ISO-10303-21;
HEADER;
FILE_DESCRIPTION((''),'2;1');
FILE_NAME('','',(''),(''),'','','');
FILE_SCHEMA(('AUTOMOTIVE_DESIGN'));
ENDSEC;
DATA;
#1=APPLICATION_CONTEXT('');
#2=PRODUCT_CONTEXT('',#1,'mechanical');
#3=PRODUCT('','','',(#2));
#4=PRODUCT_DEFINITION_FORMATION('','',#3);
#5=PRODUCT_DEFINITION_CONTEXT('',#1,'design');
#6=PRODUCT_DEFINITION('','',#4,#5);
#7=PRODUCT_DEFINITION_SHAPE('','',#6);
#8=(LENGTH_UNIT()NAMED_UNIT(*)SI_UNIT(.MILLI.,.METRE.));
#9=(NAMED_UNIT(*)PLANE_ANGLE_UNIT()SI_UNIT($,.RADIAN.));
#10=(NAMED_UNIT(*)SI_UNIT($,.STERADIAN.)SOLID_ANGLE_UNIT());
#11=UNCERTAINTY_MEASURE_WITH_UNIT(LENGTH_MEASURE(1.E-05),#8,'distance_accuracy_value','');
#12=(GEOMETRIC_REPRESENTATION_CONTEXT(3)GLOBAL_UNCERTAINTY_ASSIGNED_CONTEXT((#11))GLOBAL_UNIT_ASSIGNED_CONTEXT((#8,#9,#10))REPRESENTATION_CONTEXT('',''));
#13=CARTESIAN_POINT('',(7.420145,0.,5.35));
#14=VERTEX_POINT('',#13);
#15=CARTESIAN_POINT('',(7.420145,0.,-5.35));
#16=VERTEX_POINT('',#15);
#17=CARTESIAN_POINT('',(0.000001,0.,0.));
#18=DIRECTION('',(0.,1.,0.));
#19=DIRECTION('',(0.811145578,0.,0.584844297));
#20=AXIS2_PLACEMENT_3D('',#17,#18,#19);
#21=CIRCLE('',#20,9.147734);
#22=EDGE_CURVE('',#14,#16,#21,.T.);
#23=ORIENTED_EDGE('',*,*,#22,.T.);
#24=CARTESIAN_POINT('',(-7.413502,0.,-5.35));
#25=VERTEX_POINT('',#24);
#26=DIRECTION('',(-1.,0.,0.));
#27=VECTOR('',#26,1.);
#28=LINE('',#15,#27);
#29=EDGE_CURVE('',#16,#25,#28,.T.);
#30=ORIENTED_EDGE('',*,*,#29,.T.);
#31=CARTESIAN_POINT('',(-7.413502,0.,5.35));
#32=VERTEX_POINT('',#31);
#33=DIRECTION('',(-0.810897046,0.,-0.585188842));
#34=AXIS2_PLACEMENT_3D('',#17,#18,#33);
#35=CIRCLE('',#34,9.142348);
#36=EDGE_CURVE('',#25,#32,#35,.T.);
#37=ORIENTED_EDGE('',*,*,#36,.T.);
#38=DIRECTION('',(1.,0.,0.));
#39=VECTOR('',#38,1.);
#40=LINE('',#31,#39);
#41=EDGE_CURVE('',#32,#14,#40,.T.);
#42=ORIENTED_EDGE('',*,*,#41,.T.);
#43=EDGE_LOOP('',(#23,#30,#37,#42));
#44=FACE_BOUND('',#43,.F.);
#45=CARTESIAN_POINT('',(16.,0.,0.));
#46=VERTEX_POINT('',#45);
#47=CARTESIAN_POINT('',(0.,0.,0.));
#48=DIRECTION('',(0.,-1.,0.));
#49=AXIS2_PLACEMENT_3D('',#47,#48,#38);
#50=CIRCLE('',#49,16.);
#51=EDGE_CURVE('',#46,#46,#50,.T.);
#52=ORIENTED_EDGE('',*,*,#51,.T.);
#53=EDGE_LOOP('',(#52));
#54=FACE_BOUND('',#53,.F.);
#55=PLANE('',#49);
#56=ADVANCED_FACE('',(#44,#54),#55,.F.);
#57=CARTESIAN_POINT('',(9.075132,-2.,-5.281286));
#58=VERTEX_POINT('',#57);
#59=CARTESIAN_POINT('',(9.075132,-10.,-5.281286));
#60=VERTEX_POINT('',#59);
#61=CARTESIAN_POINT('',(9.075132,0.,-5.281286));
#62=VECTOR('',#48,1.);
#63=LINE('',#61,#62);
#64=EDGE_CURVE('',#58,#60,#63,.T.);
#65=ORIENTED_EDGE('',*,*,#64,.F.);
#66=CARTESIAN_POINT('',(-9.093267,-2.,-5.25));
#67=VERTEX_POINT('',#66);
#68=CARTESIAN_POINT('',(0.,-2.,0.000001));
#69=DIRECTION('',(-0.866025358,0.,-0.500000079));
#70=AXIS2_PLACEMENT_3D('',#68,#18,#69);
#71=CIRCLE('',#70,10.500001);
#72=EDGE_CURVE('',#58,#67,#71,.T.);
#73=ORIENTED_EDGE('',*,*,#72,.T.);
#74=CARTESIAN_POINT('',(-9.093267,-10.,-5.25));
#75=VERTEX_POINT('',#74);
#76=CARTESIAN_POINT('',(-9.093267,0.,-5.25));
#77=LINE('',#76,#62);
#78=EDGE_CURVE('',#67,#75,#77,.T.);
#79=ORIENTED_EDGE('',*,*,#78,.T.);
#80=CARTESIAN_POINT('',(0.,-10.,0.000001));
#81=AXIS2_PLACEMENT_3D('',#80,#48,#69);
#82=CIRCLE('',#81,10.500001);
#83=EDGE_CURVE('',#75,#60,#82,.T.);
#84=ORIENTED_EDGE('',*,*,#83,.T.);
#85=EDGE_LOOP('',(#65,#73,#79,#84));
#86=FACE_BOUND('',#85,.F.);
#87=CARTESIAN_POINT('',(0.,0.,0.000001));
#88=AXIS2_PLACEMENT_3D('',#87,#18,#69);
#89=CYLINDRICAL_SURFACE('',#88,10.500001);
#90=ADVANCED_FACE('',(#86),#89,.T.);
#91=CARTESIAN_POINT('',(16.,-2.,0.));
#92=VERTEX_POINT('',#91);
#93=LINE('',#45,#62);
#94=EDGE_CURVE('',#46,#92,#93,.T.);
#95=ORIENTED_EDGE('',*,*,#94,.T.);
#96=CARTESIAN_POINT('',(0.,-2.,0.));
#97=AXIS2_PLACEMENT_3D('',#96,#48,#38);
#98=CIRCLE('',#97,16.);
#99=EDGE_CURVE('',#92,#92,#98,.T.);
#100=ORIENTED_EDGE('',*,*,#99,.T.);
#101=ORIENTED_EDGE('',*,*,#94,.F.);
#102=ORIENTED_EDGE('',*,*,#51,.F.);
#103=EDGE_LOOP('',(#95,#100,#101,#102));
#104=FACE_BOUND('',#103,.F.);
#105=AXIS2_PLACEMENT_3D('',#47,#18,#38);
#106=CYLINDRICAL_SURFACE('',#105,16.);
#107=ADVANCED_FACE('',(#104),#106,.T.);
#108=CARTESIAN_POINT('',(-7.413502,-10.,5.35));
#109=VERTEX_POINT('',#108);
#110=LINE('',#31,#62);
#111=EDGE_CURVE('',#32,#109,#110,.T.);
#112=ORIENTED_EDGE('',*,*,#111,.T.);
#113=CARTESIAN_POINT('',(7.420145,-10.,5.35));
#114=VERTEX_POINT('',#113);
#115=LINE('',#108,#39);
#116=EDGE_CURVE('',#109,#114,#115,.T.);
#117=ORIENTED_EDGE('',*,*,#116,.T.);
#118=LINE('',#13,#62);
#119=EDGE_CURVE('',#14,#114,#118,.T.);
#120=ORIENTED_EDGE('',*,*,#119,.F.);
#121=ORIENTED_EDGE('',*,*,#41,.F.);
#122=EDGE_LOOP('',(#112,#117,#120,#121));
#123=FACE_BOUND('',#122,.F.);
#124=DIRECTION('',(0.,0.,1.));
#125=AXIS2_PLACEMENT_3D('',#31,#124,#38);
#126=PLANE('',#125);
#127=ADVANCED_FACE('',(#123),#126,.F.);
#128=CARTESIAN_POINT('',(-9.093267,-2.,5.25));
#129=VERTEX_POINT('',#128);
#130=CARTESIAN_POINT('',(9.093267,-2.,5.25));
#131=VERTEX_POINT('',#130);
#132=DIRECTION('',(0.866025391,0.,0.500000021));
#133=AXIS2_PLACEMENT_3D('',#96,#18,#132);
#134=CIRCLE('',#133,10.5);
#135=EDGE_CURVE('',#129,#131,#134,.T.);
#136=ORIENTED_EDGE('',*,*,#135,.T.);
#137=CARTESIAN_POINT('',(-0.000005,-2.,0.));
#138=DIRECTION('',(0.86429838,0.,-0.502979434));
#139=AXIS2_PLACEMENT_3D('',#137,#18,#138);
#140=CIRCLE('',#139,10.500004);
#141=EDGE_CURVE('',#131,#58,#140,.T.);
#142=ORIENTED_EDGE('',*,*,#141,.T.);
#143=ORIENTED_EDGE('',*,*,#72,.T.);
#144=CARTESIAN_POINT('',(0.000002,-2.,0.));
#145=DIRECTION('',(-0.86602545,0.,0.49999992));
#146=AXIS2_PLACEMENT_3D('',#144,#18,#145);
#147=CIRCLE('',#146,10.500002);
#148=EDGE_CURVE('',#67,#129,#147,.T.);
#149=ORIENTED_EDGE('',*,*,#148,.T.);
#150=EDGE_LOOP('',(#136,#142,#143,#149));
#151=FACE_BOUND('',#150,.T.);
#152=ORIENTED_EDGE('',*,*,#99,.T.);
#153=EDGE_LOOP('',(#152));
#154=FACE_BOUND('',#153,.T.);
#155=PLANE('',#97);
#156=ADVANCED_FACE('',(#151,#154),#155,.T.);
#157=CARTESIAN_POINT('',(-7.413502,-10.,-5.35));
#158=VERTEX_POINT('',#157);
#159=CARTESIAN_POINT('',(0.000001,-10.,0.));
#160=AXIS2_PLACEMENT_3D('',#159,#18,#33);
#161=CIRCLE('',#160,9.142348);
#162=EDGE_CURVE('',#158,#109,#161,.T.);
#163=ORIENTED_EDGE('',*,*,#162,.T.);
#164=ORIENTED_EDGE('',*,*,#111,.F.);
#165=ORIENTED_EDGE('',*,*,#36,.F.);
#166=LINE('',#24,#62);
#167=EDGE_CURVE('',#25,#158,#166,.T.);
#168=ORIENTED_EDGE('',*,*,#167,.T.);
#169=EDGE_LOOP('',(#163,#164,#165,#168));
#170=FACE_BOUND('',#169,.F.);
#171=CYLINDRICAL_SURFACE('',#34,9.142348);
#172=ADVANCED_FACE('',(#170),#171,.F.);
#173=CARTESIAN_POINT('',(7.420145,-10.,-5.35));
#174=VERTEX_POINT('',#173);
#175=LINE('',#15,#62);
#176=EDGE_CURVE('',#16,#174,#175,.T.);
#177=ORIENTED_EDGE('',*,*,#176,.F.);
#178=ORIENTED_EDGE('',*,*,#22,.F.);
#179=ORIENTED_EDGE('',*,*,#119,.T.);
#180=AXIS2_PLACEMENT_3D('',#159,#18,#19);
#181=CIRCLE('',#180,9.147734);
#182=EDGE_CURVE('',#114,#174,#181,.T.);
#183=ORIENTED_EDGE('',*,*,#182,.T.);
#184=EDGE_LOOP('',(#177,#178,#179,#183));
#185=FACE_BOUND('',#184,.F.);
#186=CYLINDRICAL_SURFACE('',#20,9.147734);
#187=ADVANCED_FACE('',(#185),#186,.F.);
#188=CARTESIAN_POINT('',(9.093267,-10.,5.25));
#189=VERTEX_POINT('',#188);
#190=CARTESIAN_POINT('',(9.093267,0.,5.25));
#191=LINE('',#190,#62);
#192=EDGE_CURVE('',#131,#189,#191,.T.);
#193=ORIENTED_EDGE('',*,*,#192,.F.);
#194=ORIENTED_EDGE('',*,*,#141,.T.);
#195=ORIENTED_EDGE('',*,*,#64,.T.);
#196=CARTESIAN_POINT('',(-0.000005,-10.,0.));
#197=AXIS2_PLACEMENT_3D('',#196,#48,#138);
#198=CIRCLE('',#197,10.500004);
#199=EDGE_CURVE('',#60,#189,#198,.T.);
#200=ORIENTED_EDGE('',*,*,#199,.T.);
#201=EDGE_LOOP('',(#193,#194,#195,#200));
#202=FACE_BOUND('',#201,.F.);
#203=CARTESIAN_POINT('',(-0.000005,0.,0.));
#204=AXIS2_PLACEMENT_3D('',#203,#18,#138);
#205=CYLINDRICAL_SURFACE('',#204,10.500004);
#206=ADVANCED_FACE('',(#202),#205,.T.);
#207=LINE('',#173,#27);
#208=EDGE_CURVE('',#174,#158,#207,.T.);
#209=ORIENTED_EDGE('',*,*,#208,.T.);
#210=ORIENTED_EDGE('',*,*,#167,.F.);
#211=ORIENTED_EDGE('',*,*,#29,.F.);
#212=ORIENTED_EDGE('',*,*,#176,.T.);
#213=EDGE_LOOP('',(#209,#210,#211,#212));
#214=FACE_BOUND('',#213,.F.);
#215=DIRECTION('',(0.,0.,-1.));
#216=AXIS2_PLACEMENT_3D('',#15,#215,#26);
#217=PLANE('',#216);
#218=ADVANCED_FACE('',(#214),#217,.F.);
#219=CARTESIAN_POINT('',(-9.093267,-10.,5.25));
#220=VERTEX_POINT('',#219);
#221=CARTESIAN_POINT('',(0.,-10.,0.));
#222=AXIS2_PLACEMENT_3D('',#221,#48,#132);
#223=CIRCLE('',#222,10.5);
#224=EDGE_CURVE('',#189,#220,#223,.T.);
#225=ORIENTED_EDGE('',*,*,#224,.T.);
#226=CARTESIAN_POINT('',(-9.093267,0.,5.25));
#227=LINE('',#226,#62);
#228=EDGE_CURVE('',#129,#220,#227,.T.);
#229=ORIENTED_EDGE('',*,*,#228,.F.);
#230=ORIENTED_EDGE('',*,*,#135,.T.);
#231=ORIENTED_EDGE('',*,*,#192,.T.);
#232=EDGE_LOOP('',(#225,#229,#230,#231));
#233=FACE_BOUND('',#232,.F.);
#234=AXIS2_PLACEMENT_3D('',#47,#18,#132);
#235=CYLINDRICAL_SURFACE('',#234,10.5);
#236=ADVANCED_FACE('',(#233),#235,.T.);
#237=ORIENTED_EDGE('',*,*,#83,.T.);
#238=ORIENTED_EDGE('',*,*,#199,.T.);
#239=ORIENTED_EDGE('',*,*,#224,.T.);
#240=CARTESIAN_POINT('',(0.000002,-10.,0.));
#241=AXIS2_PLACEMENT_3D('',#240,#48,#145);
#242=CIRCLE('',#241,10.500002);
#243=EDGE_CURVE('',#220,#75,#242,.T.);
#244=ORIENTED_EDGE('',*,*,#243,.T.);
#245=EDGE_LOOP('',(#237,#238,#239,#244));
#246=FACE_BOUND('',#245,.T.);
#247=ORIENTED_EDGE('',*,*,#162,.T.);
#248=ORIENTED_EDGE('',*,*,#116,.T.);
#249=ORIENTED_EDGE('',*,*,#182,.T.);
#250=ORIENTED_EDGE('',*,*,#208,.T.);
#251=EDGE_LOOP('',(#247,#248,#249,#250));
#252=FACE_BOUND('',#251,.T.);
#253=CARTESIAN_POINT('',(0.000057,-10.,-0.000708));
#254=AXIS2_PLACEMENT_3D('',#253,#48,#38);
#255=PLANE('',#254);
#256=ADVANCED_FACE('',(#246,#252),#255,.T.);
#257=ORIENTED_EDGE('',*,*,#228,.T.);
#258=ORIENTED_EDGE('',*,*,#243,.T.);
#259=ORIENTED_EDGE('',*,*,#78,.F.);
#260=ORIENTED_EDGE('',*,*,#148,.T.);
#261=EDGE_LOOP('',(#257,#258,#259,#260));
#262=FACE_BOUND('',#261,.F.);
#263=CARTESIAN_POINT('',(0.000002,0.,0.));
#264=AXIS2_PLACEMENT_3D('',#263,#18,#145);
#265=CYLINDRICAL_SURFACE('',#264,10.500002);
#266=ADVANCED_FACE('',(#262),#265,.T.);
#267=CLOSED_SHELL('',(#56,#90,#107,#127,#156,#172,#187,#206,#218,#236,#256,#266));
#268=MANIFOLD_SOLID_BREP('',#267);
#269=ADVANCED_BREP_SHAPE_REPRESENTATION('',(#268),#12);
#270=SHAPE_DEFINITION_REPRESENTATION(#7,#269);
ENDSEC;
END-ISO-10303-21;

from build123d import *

# Parameters (mm, degrees)
F0_R     = 16
F0_R_2   = 9.5
F1_DEPTH = 2
F3_DEPTH = 10


with BuildPart() as f1:
    # F0 (on Front) → F1 (new body)
    with BuildSketch(Plane.XZ):
        Circle(F0_R)
        Circle(F0_R_2, mode=Mode.SUBTRACT)
    extrude(amount=F1_DEPTH)

    # F2 (on Front) → F3 (join)
    with BuildSketch(Plane.XZ):
        with BuildLine():
            ThreePointArc((9.075132, -5.281286), (10.499984, -0.018081), (9.093267, 5.25))
            ThreePointArc((9.093267, 5.25), (0, 10.5), (-9.093267, 5.25))
            ThreePointArc((-9.093267, 5.25), (-10.5, 0), (-9.093267, -5.25))
            ThreePointArc((-9.093267, -5.25), (-0.018081, -10.499984), (9.075132, -5.281286))
        make_face()
        with BuildLine():
            ThreePointArc((-7.413502, -5.35), (-9.142347, 0), (-7.413502, 5.35))
            Line((-7.413502, 5.35), (7.420145, 5.35))
            ThreePointArc((7.420145, 5.35), (9.147735, 0), (7.420145, -5.35))
            Line((7.420145, -5.35), (-7.413502, -5.35))
        make_face(mode=Mode.SUBTRACT)
    extrude(amount=F3_DEPTH)


solid = f1.part
